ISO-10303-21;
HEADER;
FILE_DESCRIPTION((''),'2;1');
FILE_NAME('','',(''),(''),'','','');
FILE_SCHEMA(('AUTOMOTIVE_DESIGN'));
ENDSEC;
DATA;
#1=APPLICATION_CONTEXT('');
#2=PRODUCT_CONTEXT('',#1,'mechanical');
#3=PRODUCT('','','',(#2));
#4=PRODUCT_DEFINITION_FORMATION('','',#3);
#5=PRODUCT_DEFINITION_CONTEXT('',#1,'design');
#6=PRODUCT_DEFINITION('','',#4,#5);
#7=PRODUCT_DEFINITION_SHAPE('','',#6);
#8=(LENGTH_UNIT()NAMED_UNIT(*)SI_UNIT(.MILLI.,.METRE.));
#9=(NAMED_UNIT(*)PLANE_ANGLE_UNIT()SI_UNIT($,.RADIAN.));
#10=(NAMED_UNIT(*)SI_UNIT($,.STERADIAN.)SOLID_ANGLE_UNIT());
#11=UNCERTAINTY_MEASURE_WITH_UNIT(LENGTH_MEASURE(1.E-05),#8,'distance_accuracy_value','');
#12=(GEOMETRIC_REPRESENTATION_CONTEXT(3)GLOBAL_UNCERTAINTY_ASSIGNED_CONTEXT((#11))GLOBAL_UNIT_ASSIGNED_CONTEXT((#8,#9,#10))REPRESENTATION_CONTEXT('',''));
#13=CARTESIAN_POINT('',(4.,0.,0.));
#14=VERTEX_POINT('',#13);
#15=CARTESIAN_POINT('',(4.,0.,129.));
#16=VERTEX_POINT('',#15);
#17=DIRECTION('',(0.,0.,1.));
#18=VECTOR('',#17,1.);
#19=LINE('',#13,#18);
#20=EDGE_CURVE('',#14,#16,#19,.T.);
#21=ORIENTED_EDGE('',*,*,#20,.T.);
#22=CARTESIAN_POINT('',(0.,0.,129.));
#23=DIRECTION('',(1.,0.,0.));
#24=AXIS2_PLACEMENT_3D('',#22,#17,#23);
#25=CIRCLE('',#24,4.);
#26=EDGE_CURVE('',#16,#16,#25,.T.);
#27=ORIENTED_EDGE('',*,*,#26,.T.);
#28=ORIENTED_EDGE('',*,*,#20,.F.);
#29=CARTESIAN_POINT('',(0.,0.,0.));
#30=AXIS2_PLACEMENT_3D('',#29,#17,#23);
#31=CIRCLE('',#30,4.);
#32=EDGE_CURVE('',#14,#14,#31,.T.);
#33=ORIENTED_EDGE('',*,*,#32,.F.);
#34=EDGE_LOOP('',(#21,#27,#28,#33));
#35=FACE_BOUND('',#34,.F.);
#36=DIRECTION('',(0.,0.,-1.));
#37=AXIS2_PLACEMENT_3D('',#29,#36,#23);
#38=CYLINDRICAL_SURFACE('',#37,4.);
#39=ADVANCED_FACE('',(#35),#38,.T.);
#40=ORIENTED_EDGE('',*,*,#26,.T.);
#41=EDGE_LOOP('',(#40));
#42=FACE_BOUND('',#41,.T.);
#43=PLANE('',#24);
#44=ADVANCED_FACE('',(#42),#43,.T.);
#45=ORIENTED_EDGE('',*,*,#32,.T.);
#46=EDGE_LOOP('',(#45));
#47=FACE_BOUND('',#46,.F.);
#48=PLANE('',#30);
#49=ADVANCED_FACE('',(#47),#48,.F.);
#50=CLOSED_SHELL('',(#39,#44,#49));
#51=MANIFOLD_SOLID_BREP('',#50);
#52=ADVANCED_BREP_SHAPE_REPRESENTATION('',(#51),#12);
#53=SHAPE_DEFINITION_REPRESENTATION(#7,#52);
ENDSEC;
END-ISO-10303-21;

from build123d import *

# Parameters (mm, degrees)
SKETCH_R  = 4
PAD_DEPTH = 129


with BuildPart() as part:
    # Sketch → Pad (new body)
    with BuildSketch(Plane.XY):
        Circle(SKETCH_R)
    extrude(amount=PAD_DEPTH)


solid = part.part
